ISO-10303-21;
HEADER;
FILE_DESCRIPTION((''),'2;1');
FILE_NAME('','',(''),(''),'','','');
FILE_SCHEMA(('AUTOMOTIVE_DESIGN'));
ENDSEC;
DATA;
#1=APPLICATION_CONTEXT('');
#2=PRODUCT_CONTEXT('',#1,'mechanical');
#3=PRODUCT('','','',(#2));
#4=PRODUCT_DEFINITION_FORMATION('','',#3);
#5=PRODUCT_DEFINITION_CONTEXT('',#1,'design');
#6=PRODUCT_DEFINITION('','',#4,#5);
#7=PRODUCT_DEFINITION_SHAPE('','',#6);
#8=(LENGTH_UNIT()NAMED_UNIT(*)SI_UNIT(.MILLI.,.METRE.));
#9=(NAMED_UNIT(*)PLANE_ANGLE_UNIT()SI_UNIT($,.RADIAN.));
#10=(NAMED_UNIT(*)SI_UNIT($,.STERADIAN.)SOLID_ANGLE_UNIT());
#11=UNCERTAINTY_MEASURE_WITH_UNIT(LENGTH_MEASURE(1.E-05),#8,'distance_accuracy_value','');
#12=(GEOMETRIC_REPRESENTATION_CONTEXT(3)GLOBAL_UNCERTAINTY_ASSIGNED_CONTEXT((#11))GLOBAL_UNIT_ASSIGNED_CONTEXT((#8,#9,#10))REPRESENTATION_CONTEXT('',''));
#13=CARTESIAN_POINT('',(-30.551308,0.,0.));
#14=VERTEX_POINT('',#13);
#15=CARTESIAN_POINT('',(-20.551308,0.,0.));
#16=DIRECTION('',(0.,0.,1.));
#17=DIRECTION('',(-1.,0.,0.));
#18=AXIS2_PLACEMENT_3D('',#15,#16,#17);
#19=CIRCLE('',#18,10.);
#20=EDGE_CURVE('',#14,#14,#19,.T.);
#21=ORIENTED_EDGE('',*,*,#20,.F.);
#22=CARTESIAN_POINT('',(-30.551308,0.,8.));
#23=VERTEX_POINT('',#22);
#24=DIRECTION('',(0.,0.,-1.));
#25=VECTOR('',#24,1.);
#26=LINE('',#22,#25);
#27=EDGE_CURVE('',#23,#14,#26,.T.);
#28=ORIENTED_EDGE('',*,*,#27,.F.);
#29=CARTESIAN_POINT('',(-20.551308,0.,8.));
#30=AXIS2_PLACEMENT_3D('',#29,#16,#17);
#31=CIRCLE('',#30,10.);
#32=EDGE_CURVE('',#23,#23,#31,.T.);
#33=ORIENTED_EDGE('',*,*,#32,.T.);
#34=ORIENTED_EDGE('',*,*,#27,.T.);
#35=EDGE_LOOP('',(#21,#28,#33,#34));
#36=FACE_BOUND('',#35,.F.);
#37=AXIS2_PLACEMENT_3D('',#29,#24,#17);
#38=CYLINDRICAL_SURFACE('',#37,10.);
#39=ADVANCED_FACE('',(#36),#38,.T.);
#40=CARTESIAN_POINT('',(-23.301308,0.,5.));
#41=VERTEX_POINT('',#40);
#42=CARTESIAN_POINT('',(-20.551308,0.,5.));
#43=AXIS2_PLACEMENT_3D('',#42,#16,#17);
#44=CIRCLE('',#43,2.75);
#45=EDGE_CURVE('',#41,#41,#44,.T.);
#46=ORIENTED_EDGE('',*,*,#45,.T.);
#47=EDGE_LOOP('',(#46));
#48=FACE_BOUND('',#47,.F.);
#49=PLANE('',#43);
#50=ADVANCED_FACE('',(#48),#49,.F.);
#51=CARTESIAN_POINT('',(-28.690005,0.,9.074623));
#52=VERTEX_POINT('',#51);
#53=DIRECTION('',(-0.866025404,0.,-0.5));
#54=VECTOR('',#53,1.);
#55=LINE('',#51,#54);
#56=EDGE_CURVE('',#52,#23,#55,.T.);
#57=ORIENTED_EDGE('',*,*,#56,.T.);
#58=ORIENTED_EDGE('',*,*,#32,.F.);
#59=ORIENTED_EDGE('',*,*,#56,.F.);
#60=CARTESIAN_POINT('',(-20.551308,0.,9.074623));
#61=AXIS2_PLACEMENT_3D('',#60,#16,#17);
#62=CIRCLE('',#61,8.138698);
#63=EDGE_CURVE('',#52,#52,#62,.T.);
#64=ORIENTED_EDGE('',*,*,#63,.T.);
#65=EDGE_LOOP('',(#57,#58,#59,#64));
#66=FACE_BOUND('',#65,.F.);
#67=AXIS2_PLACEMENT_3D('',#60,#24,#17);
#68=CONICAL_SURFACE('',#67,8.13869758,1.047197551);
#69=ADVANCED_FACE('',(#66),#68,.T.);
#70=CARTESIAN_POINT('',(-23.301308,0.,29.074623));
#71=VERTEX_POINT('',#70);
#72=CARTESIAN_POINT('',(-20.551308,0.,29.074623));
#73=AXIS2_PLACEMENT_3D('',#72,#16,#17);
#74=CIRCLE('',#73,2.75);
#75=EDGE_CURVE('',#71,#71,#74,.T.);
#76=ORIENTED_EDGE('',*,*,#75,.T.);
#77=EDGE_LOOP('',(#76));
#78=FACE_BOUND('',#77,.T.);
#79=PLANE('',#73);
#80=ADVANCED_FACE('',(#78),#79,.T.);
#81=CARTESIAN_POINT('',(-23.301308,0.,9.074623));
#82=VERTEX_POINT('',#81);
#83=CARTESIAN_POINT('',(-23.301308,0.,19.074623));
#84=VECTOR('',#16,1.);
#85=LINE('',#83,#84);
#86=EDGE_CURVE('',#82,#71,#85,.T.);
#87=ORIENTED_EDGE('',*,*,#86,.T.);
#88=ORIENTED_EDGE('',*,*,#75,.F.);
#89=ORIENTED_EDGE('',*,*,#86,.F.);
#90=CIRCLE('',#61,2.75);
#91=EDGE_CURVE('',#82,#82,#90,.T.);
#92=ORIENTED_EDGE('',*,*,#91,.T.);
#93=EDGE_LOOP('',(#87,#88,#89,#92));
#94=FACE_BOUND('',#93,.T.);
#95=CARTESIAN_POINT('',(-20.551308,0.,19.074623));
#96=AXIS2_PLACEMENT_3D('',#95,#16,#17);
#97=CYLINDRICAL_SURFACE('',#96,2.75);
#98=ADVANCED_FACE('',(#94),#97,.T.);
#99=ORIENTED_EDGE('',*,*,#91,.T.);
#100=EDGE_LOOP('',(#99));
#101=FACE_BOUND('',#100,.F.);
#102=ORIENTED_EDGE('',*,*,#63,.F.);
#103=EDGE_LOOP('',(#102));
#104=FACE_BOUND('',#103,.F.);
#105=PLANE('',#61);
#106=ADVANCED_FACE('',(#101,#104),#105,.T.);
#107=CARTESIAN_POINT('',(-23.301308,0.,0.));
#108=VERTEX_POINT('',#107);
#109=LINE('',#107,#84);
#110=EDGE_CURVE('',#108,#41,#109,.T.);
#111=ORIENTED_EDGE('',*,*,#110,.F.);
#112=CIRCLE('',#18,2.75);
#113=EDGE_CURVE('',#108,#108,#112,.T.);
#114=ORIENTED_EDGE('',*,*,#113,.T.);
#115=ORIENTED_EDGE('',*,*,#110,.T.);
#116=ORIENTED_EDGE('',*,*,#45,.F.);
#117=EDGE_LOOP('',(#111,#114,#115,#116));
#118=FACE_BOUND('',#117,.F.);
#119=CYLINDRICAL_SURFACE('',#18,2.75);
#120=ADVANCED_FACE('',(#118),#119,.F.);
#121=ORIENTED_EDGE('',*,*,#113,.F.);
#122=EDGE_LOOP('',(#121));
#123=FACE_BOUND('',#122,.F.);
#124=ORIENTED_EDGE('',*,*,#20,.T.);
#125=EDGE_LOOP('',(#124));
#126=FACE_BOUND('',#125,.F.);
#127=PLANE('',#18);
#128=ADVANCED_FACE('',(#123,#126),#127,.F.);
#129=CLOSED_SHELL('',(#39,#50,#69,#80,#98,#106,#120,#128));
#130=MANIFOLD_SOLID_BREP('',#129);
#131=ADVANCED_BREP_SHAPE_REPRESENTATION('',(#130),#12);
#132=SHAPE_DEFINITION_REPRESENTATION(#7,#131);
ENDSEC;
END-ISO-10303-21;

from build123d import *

# Parameters (mm, degrees)
F0_W   = 2.75
F0_H   = 20
F0_H_2 = 3
F0_H_3 = 1.0746234533


with BuildPart() as f1:
    # F0 (on Front) → F1 (revolve)
    with BuildSketch(Plane.XZ):
        with Locations((-21.9263077103, 19.0746234533)):
            Rectangle(F0_W, F0_H)
        Polygon((-23.3013077103, 8), (-30.5513077103, 8), (-30.5513077103, 0), (-23.3013077103, 0), (-23.3013077103, 5), align=None)
        Polygon((-28.6900052902, 9.0746234533), (-30.5513077103, 8), (-23.3013077103, 8), (-23.3013077103, 9.0746234533), align=None)
        with Locations((-21.9263077103, 6.5)):
            Rectangle(F0_W, F0_H_2)
        with Locations((-21.9263077103, 8.5373117267)):
            Rectangle(F0_W, F0_H_3)
    revolve(axis=Axis((-20.5513077103, 0, 19.0746234533), (0, 0, 1)))


solid = f1.part
